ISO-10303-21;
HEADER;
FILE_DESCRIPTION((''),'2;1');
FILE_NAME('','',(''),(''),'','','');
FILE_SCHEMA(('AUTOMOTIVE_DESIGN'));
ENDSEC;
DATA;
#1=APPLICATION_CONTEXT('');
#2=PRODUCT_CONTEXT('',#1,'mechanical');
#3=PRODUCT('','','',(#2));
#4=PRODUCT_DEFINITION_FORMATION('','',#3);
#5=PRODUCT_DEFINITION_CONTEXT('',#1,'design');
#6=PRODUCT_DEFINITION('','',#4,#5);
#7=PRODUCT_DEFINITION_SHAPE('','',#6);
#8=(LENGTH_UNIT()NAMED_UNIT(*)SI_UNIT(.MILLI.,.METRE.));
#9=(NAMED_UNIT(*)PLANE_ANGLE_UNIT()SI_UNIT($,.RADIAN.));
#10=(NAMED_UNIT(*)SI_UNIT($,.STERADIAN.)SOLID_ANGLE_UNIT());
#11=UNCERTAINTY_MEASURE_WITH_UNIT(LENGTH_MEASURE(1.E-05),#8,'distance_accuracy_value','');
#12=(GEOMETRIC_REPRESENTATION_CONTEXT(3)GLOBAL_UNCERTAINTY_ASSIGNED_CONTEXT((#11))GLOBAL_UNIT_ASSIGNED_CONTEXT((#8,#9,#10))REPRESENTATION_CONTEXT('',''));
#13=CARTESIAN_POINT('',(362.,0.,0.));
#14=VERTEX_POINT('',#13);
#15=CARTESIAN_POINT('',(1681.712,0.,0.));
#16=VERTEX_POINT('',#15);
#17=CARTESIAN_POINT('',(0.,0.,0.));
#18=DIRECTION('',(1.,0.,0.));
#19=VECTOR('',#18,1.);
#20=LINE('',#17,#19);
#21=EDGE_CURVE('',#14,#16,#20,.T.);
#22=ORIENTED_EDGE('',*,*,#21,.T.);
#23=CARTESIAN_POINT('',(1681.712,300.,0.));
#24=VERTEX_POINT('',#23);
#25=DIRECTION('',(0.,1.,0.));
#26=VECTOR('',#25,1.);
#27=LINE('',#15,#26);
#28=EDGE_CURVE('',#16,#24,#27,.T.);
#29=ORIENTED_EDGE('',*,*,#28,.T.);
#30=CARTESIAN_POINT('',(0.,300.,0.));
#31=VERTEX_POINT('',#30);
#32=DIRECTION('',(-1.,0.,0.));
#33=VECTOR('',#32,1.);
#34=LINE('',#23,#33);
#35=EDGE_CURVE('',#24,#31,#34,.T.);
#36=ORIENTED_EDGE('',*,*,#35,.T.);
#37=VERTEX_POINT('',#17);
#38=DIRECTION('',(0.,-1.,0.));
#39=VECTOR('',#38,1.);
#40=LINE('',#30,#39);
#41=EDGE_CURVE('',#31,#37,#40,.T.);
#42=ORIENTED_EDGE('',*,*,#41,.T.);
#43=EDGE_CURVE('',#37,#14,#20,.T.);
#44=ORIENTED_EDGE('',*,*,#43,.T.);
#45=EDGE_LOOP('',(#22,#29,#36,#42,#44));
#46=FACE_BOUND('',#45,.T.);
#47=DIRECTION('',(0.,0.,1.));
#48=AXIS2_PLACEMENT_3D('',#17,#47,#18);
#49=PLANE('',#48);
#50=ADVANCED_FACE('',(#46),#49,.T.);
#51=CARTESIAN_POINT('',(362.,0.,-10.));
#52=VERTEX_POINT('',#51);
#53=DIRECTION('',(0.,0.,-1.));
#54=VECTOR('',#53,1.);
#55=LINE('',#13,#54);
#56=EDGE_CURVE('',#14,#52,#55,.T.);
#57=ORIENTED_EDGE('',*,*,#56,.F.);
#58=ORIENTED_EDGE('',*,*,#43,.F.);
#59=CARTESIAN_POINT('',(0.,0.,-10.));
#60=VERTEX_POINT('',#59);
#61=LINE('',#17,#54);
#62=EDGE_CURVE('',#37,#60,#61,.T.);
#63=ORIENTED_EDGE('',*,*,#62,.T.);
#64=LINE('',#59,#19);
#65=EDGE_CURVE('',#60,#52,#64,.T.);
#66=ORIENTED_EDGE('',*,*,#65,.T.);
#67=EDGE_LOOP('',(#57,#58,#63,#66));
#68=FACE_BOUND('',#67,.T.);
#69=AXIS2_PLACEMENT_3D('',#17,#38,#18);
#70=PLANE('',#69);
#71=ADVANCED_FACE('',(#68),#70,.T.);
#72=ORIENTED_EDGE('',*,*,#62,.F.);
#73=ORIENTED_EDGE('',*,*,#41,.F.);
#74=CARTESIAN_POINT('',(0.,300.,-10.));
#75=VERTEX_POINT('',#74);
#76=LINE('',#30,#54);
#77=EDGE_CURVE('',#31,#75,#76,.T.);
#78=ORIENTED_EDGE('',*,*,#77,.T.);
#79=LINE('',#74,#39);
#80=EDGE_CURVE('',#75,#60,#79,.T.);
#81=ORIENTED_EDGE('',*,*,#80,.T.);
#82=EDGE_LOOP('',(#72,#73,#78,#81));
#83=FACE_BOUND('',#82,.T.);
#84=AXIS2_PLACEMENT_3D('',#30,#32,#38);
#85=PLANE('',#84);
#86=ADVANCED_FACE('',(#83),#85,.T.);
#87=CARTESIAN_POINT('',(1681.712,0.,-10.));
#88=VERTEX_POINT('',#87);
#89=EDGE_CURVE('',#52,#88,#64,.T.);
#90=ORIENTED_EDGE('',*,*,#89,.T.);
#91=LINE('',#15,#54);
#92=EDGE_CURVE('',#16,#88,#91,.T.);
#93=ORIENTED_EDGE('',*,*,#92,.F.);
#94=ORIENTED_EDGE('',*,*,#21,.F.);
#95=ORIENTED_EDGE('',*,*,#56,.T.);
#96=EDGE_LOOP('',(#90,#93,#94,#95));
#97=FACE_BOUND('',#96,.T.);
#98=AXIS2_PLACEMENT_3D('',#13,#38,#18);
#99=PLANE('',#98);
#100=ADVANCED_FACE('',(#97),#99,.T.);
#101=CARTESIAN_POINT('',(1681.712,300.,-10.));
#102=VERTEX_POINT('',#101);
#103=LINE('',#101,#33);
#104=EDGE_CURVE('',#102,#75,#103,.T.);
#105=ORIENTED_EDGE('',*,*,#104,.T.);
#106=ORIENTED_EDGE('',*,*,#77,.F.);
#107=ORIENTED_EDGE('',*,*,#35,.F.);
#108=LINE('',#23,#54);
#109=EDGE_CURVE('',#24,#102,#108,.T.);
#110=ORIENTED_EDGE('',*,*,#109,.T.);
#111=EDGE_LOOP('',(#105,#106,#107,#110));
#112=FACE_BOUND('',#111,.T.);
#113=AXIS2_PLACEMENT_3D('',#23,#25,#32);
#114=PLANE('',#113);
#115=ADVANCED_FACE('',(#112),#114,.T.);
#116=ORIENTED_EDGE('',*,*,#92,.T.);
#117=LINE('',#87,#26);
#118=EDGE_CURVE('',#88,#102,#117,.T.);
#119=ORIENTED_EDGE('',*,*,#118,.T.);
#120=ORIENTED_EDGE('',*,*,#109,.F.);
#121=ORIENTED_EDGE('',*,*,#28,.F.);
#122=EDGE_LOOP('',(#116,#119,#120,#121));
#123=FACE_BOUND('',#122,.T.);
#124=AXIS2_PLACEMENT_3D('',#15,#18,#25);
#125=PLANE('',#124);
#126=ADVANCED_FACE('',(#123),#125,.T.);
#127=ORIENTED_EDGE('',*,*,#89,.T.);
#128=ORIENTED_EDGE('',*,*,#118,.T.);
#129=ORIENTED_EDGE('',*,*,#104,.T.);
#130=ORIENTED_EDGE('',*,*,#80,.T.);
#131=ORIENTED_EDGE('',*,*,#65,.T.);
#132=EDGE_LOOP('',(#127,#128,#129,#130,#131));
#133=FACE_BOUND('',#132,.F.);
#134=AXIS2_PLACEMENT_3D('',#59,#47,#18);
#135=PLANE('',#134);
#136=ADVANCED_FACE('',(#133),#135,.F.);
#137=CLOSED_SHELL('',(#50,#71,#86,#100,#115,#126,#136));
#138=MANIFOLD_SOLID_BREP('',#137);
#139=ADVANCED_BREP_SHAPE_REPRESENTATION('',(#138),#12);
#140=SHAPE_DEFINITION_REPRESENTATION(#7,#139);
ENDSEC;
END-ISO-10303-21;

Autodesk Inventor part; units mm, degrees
ref_plane "YZ Plane" through (0, 0, 0) normal (1, 0, 0) x (0, 1, 0)
ref_plane "XZ Plane" through (0, 0, 0) normal (0, 1, 0) x (-1, 0, 0)
ref_plane "XY Plane" through (0, 0, 0) normal (0, 0, 1) x (1, 0, 0)
sketch "Sketch1" plane through (0, 0, 0) normal (0, 0, 1) x (1, 0, 0)
  line L0 (1681.712, 0) -> (1681.712, 300)
  line L1 (1681.712, 300) -> (0, 300)
  line L2 (0, 300) -> (0, 0)
  line L3 (0, 0) -> (362, 0)
  line L4 (0, 0) -> (1681.712, 0)
  dimension "d0" = 1681.712
  dimension "d1" = 300
extrude "Extrusion1" add sketch "Sketch1" against normal blind 10
properties part number "Acrilico1_Mesa" material "PMMA Plastic"
